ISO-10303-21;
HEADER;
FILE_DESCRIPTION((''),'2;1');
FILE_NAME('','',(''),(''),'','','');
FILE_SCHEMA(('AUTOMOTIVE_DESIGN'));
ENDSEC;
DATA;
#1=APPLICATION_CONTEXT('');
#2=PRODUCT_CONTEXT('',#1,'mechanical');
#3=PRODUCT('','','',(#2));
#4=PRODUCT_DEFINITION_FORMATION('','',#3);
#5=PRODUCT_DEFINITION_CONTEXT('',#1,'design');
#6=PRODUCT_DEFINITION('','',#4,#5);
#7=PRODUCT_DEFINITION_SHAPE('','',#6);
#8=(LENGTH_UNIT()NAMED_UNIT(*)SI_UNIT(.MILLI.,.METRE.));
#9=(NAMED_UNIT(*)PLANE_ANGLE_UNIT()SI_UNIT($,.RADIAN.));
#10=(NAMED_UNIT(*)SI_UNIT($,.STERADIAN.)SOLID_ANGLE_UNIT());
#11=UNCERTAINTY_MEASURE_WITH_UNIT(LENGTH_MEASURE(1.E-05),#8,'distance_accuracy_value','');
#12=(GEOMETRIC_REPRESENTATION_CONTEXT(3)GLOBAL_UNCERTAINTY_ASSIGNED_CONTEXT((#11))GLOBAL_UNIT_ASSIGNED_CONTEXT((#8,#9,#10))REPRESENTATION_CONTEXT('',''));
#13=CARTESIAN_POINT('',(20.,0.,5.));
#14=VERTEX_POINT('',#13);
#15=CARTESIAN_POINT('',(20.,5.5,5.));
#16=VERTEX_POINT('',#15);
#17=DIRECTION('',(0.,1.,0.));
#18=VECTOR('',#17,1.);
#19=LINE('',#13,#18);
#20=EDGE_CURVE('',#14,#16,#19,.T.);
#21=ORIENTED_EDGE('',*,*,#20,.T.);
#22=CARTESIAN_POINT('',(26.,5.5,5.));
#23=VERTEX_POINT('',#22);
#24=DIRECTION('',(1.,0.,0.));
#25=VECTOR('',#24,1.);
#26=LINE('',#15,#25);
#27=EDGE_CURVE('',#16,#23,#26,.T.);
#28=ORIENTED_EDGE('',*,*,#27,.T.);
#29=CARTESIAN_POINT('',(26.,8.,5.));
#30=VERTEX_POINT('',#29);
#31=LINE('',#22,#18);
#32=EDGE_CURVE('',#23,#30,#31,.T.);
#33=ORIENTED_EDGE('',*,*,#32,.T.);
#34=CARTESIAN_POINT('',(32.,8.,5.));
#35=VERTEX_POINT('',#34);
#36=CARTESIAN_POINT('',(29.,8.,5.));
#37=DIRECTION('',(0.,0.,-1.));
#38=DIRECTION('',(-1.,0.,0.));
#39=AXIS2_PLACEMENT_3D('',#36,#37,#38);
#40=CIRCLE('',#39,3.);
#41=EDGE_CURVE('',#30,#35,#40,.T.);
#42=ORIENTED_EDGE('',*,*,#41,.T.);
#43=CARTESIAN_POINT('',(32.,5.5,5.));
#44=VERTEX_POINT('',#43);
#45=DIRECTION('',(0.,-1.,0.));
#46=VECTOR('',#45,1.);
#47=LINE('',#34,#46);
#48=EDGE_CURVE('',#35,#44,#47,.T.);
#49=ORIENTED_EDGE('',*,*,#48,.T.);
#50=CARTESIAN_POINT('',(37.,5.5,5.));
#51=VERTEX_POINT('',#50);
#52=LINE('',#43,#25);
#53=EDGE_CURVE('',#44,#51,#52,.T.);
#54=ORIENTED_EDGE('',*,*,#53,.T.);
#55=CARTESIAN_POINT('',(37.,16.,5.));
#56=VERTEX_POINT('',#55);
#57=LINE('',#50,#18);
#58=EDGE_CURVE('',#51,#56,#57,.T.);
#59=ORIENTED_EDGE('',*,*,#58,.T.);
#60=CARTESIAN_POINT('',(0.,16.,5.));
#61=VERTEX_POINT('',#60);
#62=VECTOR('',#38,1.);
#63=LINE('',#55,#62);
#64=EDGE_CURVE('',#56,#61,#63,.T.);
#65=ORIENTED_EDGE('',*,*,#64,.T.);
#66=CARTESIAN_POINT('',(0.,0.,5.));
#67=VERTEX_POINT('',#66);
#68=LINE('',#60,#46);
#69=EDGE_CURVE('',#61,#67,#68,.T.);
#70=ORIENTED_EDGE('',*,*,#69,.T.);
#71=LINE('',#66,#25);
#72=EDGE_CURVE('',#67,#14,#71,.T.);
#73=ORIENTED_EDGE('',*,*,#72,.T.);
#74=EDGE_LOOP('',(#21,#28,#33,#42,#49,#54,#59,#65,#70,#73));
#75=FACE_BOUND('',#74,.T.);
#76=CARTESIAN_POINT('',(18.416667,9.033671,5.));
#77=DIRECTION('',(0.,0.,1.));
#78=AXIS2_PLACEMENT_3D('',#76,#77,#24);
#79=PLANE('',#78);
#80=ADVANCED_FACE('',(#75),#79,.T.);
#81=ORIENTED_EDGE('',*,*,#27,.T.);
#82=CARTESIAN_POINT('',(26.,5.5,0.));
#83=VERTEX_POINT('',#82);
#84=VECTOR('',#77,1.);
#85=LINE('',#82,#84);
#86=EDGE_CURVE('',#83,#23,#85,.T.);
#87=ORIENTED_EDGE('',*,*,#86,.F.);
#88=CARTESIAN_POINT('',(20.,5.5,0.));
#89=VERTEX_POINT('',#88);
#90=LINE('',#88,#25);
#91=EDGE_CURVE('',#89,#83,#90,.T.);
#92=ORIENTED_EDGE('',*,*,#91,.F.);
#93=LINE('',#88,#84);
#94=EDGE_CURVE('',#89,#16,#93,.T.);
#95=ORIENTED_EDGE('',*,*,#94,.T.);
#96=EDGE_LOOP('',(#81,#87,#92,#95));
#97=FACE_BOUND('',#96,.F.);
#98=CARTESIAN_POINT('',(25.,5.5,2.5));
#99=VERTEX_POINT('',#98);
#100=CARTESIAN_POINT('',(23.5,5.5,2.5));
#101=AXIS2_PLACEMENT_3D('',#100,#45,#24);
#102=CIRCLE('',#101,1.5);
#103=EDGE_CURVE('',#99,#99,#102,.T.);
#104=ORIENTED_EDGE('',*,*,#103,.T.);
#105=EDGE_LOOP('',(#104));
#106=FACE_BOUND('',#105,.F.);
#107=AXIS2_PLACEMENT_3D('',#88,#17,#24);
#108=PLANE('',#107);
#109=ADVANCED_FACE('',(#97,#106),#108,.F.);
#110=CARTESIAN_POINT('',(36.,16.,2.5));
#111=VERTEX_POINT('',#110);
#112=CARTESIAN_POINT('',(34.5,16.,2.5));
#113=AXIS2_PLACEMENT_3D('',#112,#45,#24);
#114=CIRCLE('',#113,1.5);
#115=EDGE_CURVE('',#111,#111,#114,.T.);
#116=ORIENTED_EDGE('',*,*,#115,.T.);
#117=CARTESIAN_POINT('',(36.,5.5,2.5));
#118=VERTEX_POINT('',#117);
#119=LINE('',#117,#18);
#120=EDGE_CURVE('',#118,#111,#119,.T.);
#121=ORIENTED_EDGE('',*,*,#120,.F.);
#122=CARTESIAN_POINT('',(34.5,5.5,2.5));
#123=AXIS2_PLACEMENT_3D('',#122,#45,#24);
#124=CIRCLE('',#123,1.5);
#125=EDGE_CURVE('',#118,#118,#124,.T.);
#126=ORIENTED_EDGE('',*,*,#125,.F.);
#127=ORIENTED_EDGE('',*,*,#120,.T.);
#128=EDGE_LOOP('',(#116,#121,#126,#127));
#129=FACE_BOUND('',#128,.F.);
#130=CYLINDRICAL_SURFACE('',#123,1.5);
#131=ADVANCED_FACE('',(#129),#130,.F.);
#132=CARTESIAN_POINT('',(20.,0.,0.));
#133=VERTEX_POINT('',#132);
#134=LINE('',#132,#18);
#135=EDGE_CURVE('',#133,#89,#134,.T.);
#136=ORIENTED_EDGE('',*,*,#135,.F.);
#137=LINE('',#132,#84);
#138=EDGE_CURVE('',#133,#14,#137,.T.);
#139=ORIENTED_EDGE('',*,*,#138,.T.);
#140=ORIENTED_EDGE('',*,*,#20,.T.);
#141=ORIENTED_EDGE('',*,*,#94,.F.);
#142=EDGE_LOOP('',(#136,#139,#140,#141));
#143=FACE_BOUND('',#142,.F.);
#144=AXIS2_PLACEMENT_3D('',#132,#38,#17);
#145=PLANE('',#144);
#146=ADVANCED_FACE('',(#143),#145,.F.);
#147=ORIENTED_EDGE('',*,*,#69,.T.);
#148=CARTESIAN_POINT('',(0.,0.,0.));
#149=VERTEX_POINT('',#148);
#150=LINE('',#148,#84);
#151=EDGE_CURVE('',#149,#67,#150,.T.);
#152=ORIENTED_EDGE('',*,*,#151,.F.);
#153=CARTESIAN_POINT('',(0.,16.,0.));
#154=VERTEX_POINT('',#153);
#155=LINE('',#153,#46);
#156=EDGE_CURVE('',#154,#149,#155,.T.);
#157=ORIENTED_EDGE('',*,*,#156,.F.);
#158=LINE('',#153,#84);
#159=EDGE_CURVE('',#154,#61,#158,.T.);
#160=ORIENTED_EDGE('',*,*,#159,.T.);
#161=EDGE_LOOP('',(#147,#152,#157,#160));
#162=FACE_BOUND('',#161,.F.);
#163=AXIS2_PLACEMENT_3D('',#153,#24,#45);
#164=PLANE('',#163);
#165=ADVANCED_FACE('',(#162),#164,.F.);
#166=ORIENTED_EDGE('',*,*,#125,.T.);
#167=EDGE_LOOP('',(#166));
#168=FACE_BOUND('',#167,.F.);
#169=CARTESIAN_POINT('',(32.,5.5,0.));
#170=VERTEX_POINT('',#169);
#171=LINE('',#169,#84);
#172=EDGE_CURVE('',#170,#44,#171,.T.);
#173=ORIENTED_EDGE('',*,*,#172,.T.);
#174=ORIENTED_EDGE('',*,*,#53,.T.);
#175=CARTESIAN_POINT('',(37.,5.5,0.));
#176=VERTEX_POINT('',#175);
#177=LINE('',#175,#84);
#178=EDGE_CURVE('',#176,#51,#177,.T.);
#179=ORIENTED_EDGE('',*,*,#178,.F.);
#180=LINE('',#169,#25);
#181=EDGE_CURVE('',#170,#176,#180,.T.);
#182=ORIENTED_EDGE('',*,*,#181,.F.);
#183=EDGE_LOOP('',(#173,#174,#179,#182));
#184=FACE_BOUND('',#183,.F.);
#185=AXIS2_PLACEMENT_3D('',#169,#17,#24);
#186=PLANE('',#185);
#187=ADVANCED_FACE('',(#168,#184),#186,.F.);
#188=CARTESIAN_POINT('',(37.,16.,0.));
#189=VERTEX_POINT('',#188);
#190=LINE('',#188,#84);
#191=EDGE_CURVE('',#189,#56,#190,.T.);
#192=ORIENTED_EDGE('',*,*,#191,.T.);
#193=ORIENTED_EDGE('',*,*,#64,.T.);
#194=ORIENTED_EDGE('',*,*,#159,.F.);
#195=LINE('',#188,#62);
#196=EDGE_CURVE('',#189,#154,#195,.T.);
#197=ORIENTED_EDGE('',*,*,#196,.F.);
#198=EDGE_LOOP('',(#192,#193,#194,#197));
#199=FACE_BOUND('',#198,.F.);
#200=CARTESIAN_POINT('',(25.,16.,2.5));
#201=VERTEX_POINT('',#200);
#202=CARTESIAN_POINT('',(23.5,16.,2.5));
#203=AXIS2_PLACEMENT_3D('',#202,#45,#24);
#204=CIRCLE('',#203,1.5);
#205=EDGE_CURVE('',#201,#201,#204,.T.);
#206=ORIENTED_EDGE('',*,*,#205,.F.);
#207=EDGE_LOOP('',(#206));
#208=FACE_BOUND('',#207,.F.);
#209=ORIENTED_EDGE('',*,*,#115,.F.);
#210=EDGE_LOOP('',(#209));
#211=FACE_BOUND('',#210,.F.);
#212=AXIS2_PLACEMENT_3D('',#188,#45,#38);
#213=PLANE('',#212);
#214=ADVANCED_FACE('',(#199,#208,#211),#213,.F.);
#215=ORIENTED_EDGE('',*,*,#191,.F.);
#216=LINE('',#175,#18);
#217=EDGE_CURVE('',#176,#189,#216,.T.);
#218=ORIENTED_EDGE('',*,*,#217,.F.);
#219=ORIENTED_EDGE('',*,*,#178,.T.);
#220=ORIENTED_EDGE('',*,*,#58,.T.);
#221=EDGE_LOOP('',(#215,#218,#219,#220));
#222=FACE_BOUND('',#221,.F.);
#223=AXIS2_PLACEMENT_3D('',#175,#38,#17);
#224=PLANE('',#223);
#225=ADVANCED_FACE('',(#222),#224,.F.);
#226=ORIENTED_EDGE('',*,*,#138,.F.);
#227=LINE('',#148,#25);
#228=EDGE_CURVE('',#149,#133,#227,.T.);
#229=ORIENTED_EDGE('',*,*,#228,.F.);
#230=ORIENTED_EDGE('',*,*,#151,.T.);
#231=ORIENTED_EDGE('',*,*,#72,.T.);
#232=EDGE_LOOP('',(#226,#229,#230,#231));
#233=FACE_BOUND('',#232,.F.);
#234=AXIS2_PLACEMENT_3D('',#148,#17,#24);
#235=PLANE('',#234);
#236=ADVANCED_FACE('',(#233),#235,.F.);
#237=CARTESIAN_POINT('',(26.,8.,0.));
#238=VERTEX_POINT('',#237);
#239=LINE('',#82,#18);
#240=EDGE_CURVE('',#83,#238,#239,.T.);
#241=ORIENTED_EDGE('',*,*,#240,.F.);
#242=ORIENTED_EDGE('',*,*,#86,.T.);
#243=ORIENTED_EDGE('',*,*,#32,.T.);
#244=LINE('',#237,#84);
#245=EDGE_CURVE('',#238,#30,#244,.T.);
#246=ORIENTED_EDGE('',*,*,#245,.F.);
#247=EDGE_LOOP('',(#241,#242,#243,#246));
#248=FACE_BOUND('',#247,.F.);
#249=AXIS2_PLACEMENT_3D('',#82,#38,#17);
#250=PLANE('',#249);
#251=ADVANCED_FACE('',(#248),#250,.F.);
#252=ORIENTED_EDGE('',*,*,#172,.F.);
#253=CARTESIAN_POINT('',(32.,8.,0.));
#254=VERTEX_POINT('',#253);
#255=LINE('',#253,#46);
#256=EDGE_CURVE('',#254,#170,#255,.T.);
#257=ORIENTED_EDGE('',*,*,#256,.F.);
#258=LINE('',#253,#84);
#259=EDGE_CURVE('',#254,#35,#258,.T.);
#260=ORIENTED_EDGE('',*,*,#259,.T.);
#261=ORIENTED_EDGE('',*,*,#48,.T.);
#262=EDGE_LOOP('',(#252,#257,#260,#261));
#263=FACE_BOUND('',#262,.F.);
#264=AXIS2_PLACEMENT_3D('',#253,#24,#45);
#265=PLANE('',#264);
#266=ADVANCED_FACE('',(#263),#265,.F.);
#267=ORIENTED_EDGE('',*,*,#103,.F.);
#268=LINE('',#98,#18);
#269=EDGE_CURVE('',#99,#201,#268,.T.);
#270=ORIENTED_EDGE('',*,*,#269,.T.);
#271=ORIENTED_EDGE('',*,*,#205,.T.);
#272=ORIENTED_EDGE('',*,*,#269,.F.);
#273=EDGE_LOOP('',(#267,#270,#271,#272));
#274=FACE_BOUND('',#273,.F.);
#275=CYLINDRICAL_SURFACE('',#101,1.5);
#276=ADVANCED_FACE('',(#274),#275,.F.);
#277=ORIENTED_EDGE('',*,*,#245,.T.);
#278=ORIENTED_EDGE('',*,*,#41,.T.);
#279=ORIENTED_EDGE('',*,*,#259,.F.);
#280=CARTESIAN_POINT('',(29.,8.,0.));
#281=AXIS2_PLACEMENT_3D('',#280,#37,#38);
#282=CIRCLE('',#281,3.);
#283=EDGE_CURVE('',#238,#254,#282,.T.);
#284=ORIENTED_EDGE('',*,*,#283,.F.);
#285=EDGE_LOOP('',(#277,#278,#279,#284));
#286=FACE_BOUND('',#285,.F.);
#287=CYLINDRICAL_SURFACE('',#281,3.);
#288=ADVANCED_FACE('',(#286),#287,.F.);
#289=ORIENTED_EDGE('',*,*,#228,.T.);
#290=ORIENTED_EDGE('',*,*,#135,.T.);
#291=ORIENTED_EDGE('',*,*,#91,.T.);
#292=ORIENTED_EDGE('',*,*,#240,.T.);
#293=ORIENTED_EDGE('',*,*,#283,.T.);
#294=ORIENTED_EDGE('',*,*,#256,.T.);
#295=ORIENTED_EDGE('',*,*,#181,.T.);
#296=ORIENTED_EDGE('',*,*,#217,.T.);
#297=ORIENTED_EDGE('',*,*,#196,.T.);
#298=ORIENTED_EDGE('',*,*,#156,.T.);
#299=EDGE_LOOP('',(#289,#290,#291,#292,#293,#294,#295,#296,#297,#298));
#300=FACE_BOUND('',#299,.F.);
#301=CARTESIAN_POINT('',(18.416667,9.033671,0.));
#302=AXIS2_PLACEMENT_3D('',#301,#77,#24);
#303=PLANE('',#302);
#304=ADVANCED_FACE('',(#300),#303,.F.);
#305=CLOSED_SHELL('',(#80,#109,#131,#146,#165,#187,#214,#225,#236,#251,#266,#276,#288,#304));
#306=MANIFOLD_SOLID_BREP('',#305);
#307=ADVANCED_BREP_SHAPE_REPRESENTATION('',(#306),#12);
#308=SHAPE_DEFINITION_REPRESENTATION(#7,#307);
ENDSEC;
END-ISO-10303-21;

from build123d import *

# Parameters (mm, degrees)
F1_DEPTH = 5
F2_R     = 1.5
F3_DEPTH = 10.501


with BuildPart() as f1:
    # F0 (on Top) → F1 (new body)
    with BuildSketch(Plane.XY):
        with BuildLine():
            Line((0, 16), (0, 0))
            Line((0, 0), (20, 0))
            Line((20, 0), (20, 5.5))
            Line((20, 5.5), (26, 5.5))
            Line((26, 5.5), (26, 8))
            ThreePointArc((26, 8), (29, 11), (32, 8))
            Line((32, 8), (32, 5.5))
            Line((32, 5.5), (37, 5.5))
            Line((37, 5.5), (37, 16))
            Line((37, 16), (0, 16))
        make_face()
    extrude(amount=F1_DEPTH)

    # F2 (on face) → F3 (cut, through all)
    with BuildSketch(Plane.XZ.offset(-5.5)):
        with Locations((23.5, 2.5)):
            Circle(F2_R)
        with Locations((34.5, 2.5)):
            Circle(F2_R)
    extrude(amount=-F3_DEPTH, mode=Mode.SUBTRACT)


solid = f1.part
